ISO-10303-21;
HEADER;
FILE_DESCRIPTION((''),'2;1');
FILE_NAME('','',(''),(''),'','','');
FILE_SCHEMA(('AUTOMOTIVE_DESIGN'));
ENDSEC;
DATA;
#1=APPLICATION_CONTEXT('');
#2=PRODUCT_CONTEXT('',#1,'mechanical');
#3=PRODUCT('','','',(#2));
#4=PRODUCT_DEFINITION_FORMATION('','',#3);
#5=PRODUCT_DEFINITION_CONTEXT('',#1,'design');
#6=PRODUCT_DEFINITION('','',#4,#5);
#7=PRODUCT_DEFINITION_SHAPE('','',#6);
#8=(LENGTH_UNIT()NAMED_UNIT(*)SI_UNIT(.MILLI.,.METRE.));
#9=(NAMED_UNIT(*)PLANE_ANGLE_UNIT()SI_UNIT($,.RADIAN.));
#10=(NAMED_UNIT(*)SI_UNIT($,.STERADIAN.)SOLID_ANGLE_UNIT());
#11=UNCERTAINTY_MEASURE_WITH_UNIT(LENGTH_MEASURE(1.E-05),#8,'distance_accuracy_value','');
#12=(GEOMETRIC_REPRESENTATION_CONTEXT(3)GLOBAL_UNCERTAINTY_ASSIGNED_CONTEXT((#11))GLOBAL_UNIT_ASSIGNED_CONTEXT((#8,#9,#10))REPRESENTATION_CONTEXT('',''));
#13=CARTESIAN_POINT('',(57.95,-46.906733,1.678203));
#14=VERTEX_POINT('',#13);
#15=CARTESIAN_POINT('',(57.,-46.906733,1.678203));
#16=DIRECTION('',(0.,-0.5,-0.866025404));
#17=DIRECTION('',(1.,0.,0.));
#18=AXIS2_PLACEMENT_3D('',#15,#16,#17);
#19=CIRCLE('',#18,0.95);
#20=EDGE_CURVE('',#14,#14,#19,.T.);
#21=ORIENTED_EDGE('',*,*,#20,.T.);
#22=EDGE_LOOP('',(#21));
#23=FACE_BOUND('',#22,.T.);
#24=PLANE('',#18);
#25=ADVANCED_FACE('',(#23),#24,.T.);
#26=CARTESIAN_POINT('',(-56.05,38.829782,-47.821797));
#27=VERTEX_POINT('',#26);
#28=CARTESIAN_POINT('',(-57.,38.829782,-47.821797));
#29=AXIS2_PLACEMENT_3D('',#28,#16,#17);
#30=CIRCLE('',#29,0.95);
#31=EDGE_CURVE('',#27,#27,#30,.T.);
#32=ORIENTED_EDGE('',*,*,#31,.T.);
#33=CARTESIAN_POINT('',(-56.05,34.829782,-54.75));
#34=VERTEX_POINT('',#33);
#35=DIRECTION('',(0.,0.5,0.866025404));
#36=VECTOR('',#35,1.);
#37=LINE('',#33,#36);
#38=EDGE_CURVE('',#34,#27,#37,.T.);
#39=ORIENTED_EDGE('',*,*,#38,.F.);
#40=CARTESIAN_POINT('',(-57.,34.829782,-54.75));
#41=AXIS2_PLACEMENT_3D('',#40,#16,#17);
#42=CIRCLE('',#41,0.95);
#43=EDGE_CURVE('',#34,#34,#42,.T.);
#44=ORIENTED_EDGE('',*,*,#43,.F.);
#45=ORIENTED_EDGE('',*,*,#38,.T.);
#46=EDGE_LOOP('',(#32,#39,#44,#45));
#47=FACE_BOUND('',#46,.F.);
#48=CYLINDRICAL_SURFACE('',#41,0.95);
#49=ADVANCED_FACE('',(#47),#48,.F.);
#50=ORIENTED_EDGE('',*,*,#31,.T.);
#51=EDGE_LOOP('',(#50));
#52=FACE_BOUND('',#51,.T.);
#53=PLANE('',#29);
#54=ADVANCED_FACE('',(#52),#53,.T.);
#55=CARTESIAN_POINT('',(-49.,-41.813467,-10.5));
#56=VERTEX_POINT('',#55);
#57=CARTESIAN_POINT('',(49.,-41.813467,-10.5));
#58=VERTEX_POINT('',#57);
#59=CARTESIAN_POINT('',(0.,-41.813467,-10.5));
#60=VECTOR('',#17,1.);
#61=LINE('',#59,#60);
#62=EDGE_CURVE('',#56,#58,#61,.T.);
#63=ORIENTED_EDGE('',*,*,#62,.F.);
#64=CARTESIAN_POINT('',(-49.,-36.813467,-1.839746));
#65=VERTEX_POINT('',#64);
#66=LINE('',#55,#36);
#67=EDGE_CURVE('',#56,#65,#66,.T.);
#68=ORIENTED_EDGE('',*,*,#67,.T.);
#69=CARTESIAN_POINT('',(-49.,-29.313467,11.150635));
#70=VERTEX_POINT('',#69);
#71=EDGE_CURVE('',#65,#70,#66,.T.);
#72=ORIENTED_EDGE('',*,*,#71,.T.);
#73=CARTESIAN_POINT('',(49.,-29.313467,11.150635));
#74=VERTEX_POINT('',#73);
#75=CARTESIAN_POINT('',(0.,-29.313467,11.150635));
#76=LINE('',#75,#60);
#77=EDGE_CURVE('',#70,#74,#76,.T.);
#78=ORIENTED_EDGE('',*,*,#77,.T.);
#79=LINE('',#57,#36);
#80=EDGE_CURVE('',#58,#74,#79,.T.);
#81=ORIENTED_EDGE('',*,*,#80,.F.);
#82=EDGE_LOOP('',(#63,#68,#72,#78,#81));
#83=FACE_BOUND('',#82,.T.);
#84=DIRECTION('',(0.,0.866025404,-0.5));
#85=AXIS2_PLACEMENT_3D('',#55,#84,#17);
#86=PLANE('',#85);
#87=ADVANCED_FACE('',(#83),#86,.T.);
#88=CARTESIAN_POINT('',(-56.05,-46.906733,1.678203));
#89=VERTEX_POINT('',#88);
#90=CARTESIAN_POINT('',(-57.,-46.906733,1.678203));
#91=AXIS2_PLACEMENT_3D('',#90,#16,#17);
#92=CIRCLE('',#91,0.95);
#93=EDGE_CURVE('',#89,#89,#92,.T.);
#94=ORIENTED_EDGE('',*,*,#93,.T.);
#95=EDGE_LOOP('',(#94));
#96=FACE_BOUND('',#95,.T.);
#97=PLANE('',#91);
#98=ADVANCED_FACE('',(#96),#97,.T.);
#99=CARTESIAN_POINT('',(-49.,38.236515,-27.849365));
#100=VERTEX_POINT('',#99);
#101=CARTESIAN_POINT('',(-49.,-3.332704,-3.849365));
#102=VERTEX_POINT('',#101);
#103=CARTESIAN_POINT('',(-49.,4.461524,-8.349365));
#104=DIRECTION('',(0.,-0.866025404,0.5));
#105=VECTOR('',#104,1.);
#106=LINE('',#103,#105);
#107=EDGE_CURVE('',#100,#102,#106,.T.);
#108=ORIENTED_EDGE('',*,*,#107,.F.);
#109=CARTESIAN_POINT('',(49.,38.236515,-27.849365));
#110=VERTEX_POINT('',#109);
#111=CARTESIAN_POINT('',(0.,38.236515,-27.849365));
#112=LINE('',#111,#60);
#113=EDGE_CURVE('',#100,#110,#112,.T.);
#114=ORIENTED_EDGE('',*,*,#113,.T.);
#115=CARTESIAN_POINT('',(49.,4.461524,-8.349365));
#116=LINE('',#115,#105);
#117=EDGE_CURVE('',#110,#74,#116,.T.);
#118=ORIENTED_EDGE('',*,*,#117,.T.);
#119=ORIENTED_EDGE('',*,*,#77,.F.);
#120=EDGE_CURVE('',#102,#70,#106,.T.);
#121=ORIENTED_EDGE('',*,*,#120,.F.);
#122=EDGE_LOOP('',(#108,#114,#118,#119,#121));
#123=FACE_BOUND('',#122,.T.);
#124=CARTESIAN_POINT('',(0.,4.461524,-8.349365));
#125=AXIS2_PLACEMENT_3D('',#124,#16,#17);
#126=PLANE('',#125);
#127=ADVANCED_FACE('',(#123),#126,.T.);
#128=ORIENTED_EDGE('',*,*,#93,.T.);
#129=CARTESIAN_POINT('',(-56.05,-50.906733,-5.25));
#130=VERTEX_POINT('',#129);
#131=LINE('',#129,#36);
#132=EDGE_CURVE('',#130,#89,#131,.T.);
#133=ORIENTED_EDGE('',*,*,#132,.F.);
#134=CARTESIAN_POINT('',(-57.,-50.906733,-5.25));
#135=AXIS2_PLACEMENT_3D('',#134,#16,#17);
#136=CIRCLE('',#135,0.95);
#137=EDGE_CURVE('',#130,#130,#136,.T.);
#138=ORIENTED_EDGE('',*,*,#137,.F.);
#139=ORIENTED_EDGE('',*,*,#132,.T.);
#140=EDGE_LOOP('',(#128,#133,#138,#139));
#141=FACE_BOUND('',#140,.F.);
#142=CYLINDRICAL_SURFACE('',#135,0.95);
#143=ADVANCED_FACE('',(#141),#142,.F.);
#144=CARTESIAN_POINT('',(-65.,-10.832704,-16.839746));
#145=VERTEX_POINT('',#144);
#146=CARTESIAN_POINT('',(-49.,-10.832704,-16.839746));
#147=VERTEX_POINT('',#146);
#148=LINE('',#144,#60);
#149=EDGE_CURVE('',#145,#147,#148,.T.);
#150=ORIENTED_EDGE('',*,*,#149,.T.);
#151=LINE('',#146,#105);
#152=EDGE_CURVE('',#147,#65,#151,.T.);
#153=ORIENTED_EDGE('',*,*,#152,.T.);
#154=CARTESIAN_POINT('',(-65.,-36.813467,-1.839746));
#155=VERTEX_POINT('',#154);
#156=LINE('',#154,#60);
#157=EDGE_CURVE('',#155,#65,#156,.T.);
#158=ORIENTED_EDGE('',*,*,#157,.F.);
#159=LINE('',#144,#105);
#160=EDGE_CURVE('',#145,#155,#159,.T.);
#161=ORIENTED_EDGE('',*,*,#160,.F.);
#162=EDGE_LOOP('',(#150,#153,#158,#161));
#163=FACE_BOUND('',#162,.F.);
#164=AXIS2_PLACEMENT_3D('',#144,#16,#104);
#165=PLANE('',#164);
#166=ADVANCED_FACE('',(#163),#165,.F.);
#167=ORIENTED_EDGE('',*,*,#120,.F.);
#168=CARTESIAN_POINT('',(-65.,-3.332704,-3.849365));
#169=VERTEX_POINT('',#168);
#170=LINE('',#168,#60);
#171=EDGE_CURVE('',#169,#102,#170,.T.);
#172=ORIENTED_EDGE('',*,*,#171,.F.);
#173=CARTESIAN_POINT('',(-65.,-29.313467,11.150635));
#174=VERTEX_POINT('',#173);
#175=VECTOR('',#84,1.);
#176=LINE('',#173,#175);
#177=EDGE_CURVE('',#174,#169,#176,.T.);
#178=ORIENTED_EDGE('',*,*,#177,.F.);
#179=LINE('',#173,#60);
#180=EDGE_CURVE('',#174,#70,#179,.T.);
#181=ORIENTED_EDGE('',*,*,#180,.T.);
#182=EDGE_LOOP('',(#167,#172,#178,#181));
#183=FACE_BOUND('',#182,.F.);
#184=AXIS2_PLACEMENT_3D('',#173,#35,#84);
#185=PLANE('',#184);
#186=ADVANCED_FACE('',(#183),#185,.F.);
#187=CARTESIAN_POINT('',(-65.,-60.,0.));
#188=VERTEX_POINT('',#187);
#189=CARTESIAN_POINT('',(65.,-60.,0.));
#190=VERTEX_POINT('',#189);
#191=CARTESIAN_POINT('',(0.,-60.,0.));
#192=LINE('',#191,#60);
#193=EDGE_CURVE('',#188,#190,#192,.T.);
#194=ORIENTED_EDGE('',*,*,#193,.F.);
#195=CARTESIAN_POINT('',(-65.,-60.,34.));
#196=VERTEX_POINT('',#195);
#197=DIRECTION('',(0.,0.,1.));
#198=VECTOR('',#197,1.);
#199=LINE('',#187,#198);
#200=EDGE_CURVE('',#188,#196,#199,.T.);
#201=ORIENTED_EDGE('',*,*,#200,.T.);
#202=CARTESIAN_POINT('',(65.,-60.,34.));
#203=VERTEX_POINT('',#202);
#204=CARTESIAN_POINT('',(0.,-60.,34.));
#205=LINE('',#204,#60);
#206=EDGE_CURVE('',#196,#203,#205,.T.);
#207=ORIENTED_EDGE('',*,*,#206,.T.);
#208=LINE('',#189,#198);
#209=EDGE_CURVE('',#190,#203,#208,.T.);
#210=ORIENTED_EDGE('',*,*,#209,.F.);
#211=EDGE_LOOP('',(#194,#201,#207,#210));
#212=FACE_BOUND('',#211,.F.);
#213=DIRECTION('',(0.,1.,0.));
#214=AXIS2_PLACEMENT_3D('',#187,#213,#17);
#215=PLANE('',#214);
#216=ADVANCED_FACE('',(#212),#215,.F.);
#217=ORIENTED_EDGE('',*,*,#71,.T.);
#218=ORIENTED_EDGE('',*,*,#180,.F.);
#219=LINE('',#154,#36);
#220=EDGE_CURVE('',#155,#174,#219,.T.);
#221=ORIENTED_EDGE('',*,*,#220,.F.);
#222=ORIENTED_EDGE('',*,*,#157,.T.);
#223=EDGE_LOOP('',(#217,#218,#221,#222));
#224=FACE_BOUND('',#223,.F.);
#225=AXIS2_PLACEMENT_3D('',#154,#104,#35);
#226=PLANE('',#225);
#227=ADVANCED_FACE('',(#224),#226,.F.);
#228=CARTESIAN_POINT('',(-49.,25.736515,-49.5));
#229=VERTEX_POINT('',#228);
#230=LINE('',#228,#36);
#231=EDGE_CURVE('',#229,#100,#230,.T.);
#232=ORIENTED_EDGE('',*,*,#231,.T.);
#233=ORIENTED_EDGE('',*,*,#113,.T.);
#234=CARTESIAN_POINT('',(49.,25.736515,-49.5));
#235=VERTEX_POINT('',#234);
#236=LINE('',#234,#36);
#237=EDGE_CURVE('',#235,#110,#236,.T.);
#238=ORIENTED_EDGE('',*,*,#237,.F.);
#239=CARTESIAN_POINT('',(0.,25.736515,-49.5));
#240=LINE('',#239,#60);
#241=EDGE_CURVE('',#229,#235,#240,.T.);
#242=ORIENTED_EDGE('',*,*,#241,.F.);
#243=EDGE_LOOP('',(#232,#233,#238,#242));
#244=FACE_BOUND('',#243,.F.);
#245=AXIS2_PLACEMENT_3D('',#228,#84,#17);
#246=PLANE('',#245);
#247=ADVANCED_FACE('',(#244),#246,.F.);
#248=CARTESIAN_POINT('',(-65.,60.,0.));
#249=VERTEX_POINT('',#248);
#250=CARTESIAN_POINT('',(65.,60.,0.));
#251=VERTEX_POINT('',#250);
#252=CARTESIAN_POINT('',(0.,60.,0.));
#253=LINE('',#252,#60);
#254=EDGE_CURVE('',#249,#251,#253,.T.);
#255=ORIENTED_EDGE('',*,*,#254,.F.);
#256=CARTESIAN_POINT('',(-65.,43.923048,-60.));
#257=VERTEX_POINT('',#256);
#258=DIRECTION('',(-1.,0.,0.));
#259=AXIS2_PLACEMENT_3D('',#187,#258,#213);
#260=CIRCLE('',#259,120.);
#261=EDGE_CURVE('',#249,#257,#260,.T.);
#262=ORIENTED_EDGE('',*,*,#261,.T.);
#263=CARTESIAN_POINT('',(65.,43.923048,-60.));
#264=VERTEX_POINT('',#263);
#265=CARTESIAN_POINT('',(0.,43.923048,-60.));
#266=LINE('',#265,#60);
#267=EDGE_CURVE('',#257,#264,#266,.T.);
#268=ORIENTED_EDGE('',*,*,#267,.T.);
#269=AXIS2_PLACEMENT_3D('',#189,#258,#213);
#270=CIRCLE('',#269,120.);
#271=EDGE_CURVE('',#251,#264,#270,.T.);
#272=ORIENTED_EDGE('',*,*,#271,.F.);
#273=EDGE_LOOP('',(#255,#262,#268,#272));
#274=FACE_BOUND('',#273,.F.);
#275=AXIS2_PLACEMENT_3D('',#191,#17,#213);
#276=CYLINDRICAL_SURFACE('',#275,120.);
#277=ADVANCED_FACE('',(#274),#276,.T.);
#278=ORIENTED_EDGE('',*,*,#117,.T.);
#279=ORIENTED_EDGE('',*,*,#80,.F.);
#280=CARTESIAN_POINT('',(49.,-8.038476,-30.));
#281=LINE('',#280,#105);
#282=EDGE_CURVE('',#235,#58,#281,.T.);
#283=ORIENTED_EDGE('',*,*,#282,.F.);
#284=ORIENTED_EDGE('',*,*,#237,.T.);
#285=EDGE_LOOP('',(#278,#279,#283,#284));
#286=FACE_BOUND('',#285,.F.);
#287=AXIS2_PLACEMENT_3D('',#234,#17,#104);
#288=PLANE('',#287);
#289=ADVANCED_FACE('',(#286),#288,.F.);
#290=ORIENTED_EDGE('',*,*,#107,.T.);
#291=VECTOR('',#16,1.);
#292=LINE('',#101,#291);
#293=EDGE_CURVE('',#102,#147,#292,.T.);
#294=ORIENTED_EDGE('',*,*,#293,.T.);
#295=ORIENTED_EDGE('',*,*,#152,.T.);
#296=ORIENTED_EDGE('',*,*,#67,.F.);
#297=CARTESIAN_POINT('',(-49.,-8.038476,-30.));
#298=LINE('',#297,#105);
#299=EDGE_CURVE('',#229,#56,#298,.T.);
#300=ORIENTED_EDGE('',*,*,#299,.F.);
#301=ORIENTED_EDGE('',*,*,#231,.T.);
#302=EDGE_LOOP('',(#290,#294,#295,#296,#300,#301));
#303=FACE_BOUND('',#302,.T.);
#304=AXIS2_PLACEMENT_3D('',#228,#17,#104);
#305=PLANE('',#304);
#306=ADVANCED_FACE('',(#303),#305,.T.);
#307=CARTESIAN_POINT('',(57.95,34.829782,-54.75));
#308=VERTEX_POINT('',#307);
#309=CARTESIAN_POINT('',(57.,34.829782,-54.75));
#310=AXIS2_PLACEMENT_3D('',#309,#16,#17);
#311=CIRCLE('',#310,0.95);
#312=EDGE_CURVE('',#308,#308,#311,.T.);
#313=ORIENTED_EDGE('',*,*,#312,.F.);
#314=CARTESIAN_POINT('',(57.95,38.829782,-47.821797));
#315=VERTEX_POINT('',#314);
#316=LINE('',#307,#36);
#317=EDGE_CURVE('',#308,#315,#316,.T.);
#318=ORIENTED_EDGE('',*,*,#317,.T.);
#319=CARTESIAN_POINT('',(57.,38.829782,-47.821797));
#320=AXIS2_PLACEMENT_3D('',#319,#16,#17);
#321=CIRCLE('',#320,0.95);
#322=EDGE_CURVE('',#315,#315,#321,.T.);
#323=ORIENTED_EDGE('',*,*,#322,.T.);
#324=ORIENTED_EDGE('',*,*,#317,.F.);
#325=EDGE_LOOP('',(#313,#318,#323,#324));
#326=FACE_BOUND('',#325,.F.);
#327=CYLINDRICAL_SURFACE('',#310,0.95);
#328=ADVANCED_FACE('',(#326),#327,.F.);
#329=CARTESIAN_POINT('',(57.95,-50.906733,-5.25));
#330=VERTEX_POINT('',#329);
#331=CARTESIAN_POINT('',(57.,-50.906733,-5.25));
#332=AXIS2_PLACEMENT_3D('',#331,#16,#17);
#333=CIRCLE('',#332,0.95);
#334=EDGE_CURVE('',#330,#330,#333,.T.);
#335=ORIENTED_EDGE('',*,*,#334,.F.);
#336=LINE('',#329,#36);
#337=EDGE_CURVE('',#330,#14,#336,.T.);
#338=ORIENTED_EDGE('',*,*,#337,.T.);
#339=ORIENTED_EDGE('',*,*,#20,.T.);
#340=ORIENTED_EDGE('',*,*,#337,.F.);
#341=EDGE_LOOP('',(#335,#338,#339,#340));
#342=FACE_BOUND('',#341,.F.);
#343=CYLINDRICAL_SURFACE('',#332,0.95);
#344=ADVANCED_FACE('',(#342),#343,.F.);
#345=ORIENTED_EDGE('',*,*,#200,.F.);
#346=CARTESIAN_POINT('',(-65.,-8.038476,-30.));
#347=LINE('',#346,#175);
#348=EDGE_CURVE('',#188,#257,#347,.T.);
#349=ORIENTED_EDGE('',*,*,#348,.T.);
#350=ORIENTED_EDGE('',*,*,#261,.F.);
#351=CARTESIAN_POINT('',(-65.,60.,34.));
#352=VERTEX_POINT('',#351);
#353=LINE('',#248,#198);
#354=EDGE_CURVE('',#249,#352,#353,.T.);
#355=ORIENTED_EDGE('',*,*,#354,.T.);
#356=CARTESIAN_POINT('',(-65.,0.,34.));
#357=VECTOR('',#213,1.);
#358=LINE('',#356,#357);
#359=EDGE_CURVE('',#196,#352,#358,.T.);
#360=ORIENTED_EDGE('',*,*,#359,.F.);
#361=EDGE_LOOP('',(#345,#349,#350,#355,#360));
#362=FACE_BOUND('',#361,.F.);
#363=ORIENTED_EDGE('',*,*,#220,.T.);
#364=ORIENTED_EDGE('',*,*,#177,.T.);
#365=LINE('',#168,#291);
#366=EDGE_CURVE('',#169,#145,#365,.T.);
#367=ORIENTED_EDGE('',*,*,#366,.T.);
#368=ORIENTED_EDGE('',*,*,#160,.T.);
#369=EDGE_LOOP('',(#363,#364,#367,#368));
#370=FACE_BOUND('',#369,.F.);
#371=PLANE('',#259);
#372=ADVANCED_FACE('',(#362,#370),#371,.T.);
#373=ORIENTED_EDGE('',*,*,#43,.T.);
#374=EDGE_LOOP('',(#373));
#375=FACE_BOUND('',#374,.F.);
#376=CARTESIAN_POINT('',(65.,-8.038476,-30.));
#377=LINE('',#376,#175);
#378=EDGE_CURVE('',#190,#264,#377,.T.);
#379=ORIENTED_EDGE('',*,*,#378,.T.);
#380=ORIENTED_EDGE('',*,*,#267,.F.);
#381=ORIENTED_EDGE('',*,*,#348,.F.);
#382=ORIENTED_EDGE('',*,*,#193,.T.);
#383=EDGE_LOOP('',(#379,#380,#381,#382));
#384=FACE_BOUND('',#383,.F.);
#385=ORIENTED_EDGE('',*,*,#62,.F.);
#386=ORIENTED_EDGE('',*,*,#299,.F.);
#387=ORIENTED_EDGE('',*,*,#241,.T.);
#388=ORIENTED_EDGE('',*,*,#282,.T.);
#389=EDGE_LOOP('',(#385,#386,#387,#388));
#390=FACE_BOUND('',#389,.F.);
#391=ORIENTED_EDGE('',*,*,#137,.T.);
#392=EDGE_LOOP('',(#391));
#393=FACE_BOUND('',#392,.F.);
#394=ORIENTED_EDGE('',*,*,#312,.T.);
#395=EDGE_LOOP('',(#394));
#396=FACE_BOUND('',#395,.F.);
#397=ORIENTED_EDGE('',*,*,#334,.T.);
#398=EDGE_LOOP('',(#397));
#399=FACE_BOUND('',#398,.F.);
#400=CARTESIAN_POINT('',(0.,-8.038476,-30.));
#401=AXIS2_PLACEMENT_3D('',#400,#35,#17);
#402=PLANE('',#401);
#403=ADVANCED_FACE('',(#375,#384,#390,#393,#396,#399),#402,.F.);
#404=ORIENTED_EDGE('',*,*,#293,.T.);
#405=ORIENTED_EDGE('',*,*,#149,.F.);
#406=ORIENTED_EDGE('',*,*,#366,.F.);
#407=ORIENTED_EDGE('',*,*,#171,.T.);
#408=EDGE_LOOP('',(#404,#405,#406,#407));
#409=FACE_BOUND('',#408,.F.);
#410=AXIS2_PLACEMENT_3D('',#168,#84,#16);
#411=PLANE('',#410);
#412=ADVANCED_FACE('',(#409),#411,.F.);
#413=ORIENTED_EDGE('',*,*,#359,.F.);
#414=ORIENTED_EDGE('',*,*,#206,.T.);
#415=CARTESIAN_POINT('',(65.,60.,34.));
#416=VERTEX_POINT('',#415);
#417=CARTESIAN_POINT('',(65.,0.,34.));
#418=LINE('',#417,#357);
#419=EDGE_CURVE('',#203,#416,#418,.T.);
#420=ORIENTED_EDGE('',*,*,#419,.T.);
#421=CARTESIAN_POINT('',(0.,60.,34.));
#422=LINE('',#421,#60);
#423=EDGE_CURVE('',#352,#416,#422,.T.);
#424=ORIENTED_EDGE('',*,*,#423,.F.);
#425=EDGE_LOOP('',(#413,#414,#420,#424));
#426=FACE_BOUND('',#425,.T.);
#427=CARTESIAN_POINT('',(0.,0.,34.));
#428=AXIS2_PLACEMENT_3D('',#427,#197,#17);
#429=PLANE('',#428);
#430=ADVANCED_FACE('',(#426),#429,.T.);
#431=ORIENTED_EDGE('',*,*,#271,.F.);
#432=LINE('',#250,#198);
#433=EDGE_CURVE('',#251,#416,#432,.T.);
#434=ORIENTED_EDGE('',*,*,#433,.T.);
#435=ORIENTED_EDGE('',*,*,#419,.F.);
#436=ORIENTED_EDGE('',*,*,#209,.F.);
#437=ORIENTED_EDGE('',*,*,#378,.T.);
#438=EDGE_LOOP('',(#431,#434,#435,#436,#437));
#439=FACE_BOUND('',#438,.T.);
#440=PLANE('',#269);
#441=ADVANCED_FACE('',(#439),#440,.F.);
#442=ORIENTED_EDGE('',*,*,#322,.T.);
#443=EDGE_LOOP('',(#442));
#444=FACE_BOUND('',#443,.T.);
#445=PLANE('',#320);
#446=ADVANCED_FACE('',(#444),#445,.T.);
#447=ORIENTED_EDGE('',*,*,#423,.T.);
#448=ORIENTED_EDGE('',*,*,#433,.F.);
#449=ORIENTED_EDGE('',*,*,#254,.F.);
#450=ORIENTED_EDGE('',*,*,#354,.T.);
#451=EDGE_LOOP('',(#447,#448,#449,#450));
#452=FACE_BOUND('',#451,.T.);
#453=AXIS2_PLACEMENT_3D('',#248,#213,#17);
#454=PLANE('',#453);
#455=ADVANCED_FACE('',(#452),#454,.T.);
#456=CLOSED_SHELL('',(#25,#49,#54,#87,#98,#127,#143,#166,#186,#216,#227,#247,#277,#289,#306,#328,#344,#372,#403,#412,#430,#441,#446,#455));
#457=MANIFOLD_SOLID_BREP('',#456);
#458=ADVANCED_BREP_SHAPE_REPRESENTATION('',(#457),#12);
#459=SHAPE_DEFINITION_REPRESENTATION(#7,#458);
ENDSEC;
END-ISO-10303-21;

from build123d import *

# Parameters (mm, degrees)
F0_W     = 130
F0_H     = 120
F1_DEPTH = 34
F2_ANGLE = 30
F3_W     = 98
F3_H     = 78
F4_DEPTH = 25
F6_DEPTH = 16
F7_R     = 0.95
F8_DEPTH = 8


with BuildPart() as f1:
    # F0 (on Top) → F1 (new body)
    with BuildSketch(Plane.XY):
        Rectangle(F0_W, F0_H)
    extrude(amount=F1_DEPTH)

    # F0 (on Top) → F2 (revolve)
    with BuildSketch(Plane.XY):
        Rectangle(F0_W, F0_H)
    revolve(axis=Axis((0, -60, 0), (-1, 0, 0)), revolution_arc=F2_ANGLE)

    # F3 (on face) → F4 (cut)
    with BuildSketch(Plane(origin=(0, -15, -25.9807621135), x_dir=(1, 0, 0), z_dir=(0, -0.5, -0.8660254038))):
        with Locations((0, -8.0384757729)):
            Rectangle(F3_W, F3_H)
    extrude(amount=-F4_DEPTH, mode=Mode.SUBTRACT)

    # F5 (on face) → F6 (cut)
    with BuildSketch(Plane(origin=(-65, 0, 0), x_dir=(0, -1, 0), z_dir=(-1, 0, 0))):
        Polygon((10.832704407, -16.8397459622), (36.8134665205, -1.8397459622), (29.3134665205, 11.1506350946), (3.332704407, -3.8493649054), align=None)
    extrude(amount=-F6_DEPTH, mode=Mode.SUBTRACT)

    # F7 (on face) → F8 (cut)
    with BuildSketch(Plane(origin=(0, -15, -25.9807621135), x_dir=(1, 0, 0), z_dir=(0, -0.5, -0.8660254038))):
        with Locations((57, 41.4615242271)):
            Circle(F7_R)
        with Locations((-57, 41.4615242271)):
            Circle(F7_R)
        with Locations((-57, -57.5384757729)):
            Circle(F7_R)
        with Locations((57, -57.5384757729)):
            Circle(F7_R)
    extrude(amount=-F8_DEPTH, mode=Mode.SUBTRACT)


solid = f1.part
